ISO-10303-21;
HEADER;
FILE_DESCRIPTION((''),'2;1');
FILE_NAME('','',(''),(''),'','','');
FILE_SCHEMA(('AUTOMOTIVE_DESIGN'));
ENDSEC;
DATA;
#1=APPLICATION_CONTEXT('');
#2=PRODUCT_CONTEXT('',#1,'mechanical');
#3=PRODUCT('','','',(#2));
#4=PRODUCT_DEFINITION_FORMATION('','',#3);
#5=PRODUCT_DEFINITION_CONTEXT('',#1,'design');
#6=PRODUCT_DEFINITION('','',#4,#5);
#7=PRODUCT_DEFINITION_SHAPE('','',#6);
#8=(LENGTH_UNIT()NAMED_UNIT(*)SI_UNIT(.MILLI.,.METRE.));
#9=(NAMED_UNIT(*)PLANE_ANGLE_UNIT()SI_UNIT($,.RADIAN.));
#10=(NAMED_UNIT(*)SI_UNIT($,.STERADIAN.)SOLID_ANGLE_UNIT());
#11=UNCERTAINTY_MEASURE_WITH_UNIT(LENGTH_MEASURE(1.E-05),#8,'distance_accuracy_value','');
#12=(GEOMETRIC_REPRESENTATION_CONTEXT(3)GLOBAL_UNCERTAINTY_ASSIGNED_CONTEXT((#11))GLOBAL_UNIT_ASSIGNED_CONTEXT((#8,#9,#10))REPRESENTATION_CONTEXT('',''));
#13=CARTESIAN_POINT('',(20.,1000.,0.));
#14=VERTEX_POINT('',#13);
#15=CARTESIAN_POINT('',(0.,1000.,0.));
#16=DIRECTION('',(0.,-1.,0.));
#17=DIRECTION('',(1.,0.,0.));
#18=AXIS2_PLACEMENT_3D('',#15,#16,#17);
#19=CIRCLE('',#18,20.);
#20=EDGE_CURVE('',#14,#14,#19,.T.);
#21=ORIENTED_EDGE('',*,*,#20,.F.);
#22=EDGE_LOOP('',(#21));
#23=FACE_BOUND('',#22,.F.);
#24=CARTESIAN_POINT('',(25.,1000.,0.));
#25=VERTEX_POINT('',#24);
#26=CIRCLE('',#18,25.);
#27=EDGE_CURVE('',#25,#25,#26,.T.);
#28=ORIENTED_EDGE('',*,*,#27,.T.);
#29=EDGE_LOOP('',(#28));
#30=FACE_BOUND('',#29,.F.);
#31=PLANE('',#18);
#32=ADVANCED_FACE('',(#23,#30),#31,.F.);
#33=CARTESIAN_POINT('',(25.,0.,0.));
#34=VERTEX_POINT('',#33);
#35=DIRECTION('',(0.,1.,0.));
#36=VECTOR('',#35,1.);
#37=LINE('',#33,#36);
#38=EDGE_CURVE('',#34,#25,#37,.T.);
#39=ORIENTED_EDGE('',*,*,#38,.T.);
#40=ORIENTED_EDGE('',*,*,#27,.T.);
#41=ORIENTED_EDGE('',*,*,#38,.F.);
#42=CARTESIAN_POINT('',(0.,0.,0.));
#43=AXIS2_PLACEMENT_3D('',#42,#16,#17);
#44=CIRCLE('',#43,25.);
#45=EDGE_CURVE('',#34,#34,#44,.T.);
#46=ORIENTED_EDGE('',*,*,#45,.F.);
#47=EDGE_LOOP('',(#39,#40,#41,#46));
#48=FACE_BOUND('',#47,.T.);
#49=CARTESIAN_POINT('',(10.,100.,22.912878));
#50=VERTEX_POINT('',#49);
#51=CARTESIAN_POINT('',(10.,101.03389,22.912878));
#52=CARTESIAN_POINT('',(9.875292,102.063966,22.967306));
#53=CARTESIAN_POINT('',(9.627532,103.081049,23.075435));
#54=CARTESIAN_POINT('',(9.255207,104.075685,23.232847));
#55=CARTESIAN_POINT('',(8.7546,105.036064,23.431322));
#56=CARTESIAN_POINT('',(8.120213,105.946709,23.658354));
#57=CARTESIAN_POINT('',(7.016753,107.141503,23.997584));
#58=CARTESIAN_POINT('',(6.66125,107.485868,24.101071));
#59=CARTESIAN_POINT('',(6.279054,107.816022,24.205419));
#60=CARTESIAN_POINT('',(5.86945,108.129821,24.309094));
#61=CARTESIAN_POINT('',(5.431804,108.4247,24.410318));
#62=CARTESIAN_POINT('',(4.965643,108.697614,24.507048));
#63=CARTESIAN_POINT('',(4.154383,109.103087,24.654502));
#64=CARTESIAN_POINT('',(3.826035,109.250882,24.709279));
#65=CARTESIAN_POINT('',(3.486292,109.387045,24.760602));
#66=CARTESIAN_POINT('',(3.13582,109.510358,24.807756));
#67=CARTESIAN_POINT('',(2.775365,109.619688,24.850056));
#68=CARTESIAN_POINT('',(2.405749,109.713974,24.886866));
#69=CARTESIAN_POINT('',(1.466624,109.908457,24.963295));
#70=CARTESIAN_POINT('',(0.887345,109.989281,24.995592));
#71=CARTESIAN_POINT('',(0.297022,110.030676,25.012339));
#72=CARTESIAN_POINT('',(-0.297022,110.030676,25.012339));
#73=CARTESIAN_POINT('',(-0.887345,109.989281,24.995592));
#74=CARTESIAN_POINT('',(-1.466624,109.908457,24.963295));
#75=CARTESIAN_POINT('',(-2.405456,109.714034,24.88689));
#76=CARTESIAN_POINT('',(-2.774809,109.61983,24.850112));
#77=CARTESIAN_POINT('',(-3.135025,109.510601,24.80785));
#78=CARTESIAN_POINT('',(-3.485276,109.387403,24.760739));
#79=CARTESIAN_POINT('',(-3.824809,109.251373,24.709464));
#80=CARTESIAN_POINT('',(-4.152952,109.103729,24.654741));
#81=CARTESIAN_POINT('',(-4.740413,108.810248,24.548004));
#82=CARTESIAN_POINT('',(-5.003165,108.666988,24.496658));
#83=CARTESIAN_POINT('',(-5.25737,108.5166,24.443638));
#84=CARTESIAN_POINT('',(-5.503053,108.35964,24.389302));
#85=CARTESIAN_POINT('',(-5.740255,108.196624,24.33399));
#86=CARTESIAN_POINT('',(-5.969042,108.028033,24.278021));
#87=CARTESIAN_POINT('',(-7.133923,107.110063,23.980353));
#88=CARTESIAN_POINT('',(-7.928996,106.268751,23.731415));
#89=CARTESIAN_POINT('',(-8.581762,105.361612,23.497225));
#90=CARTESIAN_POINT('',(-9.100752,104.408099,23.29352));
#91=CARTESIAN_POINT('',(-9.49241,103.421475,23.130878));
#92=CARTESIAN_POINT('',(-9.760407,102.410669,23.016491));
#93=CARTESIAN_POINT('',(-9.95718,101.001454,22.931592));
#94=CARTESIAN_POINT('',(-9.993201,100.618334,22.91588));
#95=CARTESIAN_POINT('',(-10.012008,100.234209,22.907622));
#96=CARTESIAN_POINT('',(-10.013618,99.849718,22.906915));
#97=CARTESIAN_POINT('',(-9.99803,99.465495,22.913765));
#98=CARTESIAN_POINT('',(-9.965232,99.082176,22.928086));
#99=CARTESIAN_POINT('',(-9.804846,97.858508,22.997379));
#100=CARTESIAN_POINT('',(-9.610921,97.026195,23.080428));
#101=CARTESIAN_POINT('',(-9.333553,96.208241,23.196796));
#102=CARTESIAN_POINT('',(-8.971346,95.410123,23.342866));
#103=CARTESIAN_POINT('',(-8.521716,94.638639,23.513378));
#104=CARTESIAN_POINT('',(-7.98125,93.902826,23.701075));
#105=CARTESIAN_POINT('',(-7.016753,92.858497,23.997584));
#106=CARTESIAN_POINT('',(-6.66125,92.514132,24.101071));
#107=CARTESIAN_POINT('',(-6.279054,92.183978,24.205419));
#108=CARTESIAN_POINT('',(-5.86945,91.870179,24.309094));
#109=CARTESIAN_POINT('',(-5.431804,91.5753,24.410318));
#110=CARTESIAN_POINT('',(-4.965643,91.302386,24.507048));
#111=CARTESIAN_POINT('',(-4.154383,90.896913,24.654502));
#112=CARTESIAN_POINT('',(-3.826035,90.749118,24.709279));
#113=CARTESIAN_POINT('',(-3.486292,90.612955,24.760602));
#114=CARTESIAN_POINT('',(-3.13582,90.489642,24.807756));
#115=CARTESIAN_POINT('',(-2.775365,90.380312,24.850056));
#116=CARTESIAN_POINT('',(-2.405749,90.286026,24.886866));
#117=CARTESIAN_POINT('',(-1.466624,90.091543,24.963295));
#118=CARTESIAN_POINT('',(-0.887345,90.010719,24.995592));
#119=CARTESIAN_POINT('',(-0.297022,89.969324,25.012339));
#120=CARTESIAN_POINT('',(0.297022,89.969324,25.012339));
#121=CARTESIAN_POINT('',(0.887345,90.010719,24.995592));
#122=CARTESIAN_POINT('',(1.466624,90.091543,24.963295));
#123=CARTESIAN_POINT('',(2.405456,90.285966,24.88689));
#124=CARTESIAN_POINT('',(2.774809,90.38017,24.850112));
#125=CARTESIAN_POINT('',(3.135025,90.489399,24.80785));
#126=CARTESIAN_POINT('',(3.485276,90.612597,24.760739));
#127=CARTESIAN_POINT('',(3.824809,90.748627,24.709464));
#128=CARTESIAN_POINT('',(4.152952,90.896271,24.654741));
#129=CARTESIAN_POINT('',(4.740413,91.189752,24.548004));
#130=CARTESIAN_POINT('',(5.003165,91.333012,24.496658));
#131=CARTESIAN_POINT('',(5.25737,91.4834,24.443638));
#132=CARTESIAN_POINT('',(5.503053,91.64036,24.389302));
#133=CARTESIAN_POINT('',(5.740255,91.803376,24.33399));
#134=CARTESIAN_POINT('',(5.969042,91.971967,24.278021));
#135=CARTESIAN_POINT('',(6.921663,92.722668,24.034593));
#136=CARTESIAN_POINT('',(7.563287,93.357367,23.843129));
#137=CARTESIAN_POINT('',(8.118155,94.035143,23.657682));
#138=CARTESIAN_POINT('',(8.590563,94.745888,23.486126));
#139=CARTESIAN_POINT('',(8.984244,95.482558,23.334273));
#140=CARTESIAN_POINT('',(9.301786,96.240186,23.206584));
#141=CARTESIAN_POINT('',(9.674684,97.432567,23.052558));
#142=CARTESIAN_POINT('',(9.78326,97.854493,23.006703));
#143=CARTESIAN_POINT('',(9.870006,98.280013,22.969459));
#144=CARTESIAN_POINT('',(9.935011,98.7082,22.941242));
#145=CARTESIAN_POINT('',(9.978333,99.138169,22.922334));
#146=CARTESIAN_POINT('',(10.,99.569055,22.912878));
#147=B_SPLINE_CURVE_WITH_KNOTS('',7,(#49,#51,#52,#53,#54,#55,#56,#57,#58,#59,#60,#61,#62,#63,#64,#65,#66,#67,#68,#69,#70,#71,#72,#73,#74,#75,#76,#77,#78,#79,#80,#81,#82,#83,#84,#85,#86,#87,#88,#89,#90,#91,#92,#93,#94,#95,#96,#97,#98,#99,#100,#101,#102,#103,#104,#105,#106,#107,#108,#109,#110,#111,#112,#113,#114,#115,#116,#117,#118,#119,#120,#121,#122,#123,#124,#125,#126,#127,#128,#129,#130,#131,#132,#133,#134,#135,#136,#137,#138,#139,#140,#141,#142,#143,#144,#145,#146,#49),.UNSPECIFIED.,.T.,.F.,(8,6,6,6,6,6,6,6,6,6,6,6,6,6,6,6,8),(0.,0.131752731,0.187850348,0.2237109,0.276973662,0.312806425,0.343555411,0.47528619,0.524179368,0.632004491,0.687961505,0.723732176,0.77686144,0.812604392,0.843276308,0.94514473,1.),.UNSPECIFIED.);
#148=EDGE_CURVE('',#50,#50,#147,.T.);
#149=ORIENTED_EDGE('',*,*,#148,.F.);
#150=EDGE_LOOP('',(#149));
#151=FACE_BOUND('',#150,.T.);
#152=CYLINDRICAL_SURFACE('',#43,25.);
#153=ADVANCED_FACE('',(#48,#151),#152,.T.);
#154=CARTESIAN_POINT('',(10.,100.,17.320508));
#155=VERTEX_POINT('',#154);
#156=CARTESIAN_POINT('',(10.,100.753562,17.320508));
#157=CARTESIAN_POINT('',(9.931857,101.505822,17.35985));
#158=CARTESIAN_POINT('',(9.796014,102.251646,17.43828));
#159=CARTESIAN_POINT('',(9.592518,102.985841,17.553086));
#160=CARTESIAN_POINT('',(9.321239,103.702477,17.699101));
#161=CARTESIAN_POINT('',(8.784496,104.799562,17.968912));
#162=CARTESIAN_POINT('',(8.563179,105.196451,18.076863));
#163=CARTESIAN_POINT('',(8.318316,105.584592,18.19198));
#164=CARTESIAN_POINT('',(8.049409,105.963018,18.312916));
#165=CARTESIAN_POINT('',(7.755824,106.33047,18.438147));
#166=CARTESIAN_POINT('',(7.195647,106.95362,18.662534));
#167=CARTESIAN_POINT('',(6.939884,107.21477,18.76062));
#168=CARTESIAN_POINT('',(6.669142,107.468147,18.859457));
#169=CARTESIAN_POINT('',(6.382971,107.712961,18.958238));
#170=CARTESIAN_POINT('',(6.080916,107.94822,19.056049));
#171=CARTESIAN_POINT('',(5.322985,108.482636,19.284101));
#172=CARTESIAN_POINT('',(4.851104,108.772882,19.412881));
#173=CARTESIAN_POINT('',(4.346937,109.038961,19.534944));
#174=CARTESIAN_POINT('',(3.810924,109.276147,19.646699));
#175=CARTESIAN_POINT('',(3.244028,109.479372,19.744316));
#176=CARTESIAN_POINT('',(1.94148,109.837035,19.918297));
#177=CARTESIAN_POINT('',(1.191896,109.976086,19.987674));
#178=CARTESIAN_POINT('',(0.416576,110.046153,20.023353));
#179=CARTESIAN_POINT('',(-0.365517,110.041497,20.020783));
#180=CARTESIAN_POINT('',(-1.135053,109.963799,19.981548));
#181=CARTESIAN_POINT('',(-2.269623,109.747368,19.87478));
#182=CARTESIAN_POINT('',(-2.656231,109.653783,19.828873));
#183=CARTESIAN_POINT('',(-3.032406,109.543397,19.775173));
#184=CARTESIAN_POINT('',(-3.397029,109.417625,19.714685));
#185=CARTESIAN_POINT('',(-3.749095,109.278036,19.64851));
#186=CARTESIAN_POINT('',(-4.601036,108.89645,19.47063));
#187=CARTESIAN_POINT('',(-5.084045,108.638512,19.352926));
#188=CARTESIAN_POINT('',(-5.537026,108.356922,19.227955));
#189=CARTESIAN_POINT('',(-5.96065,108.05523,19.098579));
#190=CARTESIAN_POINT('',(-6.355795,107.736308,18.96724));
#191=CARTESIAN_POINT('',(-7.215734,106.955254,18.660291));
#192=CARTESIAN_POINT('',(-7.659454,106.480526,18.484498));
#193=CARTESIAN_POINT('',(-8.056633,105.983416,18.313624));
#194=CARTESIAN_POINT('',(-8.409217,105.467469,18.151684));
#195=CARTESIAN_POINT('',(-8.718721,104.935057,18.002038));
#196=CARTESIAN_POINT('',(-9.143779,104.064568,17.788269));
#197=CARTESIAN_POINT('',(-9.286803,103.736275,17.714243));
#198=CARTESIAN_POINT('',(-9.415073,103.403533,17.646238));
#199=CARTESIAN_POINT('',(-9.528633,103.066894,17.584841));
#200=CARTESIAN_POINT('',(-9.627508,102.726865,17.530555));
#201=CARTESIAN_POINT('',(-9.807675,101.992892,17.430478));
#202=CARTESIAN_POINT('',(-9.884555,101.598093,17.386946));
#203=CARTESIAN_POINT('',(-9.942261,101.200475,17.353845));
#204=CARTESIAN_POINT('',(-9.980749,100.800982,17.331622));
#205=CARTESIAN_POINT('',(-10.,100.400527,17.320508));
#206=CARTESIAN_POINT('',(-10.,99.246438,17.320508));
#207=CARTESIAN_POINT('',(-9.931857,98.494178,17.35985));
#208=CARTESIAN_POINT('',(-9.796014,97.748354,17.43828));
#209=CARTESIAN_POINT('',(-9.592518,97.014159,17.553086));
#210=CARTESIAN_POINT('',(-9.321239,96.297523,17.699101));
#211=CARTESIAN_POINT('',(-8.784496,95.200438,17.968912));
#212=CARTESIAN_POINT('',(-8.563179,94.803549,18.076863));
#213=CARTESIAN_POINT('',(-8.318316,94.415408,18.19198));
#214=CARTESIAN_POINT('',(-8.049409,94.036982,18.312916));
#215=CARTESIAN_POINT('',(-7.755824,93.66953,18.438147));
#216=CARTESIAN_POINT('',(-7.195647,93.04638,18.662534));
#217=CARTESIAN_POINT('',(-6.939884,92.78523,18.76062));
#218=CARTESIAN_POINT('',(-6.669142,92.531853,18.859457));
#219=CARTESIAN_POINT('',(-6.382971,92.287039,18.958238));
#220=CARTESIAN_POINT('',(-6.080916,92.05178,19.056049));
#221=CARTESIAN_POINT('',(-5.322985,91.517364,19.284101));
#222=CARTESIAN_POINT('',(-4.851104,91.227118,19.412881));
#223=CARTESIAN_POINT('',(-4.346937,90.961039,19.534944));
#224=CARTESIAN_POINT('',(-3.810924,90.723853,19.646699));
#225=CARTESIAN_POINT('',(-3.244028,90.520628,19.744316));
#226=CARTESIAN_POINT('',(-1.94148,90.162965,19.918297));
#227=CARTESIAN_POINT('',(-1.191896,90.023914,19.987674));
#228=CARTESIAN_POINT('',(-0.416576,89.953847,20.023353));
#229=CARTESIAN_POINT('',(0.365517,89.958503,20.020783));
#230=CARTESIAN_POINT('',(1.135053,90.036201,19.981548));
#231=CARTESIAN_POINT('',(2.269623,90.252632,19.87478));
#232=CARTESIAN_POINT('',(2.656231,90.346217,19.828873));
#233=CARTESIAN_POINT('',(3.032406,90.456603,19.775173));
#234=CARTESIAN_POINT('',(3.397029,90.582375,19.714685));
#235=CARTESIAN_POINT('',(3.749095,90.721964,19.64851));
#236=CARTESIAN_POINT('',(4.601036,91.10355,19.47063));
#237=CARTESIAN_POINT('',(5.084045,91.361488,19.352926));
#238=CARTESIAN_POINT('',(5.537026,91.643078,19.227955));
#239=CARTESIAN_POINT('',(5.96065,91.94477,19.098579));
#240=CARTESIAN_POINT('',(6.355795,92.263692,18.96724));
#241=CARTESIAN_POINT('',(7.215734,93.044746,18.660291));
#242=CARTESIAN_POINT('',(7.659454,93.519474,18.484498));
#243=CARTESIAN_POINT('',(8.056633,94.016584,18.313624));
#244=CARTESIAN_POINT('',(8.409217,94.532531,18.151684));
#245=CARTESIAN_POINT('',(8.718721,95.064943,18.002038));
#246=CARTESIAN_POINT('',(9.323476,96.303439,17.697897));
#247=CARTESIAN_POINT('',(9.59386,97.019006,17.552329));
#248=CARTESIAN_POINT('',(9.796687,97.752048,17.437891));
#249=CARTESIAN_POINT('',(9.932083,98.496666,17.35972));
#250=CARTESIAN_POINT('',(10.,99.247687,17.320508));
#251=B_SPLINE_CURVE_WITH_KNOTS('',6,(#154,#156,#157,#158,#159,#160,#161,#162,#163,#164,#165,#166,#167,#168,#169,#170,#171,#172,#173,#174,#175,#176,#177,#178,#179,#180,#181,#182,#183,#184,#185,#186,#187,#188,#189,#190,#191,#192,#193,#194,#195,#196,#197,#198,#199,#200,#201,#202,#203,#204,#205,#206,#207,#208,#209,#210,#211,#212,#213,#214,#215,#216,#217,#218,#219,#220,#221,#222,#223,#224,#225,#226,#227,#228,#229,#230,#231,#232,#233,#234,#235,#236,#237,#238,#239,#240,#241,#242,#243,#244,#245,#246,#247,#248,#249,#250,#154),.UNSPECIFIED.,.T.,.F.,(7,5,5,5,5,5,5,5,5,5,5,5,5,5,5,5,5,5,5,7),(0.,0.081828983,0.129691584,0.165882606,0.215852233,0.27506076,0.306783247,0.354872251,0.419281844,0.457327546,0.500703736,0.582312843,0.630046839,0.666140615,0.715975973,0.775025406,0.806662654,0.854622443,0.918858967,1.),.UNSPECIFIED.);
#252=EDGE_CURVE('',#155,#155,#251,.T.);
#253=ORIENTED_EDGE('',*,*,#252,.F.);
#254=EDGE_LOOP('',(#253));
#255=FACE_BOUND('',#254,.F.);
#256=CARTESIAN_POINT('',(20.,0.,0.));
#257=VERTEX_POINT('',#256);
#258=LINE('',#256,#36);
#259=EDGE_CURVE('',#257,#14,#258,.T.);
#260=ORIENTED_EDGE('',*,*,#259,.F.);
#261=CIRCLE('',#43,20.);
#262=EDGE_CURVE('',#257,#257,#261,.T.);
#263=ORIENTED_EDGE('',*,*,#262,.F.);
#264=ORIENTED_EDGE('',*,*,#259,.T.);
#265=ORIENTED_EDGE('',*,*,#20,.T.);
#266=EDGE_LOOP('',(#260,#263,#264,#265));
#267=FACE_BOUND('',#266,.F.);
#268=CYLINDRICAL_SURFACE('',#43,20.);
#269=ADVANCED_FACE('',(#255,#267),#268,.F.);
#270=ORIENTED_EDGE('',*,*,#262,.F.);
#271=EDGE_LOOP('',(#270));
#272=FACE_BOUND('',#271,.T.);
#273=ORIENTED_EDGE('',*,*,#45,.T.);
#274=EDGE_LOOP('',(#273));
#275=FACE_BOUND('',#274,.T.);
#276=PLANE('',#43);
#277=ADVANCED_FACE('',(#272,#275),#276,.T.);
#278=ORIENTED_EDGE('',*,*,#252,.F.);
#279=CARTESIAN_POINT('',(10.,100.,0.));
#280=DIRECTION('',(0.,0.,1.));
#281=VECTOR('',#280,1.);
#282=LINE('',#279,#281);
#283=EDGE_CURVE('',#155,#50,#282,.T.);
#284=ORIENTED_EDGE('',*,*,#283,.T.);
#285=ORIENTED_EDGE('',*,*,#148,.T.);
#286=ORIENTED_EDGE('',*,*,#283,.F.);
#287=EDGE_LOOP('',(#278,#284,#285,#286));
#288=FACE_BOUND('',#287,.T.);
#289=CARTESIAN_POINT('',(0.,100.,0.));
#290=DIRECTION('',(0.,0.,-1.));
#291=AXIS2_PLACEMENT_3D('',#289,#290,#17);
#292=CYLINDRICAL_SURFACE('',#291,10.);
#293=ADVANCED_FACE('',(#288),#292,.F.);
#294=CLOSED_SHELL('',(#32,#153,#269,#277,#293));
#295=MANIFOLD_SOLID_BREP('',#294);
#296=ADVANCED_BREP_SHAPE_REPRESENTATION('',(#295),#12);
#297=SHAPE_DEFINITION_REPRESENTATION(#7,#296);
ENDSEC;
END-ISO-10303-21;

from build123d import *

# Parameters (mm, degrees)
F0_R     = 25
F1_DEPTH = 1000
F2_R     = 20
F3_DEPTH = 1000.001
F4_R     = 10
F5_DEPTH = 25.4


with BuildPart() as f1:
    # F0 (on Front) → F1 (new body)
    with BuildSketch(Plane.XZ):
        Circle(F0_R)
    extrude(amount=-F1_DEPTH)

    # F2 (on Front) → F3 (cut, through all)
    with BuildSketch(Plane.XZ):
        Circle(F2_R)
    extrude(amount=-F3_DEPTH, mode=Mode.SUBTRACT)

    # F4 (on Top) → F5 (cut)
    with BuildSketch(Plane.XY):
        with Locations((0, 100)):
            Circle(F4_R)
    extrude(amount=F5_DEPTH, mode=Mode.SUBTRACT)


solid = f1.part
